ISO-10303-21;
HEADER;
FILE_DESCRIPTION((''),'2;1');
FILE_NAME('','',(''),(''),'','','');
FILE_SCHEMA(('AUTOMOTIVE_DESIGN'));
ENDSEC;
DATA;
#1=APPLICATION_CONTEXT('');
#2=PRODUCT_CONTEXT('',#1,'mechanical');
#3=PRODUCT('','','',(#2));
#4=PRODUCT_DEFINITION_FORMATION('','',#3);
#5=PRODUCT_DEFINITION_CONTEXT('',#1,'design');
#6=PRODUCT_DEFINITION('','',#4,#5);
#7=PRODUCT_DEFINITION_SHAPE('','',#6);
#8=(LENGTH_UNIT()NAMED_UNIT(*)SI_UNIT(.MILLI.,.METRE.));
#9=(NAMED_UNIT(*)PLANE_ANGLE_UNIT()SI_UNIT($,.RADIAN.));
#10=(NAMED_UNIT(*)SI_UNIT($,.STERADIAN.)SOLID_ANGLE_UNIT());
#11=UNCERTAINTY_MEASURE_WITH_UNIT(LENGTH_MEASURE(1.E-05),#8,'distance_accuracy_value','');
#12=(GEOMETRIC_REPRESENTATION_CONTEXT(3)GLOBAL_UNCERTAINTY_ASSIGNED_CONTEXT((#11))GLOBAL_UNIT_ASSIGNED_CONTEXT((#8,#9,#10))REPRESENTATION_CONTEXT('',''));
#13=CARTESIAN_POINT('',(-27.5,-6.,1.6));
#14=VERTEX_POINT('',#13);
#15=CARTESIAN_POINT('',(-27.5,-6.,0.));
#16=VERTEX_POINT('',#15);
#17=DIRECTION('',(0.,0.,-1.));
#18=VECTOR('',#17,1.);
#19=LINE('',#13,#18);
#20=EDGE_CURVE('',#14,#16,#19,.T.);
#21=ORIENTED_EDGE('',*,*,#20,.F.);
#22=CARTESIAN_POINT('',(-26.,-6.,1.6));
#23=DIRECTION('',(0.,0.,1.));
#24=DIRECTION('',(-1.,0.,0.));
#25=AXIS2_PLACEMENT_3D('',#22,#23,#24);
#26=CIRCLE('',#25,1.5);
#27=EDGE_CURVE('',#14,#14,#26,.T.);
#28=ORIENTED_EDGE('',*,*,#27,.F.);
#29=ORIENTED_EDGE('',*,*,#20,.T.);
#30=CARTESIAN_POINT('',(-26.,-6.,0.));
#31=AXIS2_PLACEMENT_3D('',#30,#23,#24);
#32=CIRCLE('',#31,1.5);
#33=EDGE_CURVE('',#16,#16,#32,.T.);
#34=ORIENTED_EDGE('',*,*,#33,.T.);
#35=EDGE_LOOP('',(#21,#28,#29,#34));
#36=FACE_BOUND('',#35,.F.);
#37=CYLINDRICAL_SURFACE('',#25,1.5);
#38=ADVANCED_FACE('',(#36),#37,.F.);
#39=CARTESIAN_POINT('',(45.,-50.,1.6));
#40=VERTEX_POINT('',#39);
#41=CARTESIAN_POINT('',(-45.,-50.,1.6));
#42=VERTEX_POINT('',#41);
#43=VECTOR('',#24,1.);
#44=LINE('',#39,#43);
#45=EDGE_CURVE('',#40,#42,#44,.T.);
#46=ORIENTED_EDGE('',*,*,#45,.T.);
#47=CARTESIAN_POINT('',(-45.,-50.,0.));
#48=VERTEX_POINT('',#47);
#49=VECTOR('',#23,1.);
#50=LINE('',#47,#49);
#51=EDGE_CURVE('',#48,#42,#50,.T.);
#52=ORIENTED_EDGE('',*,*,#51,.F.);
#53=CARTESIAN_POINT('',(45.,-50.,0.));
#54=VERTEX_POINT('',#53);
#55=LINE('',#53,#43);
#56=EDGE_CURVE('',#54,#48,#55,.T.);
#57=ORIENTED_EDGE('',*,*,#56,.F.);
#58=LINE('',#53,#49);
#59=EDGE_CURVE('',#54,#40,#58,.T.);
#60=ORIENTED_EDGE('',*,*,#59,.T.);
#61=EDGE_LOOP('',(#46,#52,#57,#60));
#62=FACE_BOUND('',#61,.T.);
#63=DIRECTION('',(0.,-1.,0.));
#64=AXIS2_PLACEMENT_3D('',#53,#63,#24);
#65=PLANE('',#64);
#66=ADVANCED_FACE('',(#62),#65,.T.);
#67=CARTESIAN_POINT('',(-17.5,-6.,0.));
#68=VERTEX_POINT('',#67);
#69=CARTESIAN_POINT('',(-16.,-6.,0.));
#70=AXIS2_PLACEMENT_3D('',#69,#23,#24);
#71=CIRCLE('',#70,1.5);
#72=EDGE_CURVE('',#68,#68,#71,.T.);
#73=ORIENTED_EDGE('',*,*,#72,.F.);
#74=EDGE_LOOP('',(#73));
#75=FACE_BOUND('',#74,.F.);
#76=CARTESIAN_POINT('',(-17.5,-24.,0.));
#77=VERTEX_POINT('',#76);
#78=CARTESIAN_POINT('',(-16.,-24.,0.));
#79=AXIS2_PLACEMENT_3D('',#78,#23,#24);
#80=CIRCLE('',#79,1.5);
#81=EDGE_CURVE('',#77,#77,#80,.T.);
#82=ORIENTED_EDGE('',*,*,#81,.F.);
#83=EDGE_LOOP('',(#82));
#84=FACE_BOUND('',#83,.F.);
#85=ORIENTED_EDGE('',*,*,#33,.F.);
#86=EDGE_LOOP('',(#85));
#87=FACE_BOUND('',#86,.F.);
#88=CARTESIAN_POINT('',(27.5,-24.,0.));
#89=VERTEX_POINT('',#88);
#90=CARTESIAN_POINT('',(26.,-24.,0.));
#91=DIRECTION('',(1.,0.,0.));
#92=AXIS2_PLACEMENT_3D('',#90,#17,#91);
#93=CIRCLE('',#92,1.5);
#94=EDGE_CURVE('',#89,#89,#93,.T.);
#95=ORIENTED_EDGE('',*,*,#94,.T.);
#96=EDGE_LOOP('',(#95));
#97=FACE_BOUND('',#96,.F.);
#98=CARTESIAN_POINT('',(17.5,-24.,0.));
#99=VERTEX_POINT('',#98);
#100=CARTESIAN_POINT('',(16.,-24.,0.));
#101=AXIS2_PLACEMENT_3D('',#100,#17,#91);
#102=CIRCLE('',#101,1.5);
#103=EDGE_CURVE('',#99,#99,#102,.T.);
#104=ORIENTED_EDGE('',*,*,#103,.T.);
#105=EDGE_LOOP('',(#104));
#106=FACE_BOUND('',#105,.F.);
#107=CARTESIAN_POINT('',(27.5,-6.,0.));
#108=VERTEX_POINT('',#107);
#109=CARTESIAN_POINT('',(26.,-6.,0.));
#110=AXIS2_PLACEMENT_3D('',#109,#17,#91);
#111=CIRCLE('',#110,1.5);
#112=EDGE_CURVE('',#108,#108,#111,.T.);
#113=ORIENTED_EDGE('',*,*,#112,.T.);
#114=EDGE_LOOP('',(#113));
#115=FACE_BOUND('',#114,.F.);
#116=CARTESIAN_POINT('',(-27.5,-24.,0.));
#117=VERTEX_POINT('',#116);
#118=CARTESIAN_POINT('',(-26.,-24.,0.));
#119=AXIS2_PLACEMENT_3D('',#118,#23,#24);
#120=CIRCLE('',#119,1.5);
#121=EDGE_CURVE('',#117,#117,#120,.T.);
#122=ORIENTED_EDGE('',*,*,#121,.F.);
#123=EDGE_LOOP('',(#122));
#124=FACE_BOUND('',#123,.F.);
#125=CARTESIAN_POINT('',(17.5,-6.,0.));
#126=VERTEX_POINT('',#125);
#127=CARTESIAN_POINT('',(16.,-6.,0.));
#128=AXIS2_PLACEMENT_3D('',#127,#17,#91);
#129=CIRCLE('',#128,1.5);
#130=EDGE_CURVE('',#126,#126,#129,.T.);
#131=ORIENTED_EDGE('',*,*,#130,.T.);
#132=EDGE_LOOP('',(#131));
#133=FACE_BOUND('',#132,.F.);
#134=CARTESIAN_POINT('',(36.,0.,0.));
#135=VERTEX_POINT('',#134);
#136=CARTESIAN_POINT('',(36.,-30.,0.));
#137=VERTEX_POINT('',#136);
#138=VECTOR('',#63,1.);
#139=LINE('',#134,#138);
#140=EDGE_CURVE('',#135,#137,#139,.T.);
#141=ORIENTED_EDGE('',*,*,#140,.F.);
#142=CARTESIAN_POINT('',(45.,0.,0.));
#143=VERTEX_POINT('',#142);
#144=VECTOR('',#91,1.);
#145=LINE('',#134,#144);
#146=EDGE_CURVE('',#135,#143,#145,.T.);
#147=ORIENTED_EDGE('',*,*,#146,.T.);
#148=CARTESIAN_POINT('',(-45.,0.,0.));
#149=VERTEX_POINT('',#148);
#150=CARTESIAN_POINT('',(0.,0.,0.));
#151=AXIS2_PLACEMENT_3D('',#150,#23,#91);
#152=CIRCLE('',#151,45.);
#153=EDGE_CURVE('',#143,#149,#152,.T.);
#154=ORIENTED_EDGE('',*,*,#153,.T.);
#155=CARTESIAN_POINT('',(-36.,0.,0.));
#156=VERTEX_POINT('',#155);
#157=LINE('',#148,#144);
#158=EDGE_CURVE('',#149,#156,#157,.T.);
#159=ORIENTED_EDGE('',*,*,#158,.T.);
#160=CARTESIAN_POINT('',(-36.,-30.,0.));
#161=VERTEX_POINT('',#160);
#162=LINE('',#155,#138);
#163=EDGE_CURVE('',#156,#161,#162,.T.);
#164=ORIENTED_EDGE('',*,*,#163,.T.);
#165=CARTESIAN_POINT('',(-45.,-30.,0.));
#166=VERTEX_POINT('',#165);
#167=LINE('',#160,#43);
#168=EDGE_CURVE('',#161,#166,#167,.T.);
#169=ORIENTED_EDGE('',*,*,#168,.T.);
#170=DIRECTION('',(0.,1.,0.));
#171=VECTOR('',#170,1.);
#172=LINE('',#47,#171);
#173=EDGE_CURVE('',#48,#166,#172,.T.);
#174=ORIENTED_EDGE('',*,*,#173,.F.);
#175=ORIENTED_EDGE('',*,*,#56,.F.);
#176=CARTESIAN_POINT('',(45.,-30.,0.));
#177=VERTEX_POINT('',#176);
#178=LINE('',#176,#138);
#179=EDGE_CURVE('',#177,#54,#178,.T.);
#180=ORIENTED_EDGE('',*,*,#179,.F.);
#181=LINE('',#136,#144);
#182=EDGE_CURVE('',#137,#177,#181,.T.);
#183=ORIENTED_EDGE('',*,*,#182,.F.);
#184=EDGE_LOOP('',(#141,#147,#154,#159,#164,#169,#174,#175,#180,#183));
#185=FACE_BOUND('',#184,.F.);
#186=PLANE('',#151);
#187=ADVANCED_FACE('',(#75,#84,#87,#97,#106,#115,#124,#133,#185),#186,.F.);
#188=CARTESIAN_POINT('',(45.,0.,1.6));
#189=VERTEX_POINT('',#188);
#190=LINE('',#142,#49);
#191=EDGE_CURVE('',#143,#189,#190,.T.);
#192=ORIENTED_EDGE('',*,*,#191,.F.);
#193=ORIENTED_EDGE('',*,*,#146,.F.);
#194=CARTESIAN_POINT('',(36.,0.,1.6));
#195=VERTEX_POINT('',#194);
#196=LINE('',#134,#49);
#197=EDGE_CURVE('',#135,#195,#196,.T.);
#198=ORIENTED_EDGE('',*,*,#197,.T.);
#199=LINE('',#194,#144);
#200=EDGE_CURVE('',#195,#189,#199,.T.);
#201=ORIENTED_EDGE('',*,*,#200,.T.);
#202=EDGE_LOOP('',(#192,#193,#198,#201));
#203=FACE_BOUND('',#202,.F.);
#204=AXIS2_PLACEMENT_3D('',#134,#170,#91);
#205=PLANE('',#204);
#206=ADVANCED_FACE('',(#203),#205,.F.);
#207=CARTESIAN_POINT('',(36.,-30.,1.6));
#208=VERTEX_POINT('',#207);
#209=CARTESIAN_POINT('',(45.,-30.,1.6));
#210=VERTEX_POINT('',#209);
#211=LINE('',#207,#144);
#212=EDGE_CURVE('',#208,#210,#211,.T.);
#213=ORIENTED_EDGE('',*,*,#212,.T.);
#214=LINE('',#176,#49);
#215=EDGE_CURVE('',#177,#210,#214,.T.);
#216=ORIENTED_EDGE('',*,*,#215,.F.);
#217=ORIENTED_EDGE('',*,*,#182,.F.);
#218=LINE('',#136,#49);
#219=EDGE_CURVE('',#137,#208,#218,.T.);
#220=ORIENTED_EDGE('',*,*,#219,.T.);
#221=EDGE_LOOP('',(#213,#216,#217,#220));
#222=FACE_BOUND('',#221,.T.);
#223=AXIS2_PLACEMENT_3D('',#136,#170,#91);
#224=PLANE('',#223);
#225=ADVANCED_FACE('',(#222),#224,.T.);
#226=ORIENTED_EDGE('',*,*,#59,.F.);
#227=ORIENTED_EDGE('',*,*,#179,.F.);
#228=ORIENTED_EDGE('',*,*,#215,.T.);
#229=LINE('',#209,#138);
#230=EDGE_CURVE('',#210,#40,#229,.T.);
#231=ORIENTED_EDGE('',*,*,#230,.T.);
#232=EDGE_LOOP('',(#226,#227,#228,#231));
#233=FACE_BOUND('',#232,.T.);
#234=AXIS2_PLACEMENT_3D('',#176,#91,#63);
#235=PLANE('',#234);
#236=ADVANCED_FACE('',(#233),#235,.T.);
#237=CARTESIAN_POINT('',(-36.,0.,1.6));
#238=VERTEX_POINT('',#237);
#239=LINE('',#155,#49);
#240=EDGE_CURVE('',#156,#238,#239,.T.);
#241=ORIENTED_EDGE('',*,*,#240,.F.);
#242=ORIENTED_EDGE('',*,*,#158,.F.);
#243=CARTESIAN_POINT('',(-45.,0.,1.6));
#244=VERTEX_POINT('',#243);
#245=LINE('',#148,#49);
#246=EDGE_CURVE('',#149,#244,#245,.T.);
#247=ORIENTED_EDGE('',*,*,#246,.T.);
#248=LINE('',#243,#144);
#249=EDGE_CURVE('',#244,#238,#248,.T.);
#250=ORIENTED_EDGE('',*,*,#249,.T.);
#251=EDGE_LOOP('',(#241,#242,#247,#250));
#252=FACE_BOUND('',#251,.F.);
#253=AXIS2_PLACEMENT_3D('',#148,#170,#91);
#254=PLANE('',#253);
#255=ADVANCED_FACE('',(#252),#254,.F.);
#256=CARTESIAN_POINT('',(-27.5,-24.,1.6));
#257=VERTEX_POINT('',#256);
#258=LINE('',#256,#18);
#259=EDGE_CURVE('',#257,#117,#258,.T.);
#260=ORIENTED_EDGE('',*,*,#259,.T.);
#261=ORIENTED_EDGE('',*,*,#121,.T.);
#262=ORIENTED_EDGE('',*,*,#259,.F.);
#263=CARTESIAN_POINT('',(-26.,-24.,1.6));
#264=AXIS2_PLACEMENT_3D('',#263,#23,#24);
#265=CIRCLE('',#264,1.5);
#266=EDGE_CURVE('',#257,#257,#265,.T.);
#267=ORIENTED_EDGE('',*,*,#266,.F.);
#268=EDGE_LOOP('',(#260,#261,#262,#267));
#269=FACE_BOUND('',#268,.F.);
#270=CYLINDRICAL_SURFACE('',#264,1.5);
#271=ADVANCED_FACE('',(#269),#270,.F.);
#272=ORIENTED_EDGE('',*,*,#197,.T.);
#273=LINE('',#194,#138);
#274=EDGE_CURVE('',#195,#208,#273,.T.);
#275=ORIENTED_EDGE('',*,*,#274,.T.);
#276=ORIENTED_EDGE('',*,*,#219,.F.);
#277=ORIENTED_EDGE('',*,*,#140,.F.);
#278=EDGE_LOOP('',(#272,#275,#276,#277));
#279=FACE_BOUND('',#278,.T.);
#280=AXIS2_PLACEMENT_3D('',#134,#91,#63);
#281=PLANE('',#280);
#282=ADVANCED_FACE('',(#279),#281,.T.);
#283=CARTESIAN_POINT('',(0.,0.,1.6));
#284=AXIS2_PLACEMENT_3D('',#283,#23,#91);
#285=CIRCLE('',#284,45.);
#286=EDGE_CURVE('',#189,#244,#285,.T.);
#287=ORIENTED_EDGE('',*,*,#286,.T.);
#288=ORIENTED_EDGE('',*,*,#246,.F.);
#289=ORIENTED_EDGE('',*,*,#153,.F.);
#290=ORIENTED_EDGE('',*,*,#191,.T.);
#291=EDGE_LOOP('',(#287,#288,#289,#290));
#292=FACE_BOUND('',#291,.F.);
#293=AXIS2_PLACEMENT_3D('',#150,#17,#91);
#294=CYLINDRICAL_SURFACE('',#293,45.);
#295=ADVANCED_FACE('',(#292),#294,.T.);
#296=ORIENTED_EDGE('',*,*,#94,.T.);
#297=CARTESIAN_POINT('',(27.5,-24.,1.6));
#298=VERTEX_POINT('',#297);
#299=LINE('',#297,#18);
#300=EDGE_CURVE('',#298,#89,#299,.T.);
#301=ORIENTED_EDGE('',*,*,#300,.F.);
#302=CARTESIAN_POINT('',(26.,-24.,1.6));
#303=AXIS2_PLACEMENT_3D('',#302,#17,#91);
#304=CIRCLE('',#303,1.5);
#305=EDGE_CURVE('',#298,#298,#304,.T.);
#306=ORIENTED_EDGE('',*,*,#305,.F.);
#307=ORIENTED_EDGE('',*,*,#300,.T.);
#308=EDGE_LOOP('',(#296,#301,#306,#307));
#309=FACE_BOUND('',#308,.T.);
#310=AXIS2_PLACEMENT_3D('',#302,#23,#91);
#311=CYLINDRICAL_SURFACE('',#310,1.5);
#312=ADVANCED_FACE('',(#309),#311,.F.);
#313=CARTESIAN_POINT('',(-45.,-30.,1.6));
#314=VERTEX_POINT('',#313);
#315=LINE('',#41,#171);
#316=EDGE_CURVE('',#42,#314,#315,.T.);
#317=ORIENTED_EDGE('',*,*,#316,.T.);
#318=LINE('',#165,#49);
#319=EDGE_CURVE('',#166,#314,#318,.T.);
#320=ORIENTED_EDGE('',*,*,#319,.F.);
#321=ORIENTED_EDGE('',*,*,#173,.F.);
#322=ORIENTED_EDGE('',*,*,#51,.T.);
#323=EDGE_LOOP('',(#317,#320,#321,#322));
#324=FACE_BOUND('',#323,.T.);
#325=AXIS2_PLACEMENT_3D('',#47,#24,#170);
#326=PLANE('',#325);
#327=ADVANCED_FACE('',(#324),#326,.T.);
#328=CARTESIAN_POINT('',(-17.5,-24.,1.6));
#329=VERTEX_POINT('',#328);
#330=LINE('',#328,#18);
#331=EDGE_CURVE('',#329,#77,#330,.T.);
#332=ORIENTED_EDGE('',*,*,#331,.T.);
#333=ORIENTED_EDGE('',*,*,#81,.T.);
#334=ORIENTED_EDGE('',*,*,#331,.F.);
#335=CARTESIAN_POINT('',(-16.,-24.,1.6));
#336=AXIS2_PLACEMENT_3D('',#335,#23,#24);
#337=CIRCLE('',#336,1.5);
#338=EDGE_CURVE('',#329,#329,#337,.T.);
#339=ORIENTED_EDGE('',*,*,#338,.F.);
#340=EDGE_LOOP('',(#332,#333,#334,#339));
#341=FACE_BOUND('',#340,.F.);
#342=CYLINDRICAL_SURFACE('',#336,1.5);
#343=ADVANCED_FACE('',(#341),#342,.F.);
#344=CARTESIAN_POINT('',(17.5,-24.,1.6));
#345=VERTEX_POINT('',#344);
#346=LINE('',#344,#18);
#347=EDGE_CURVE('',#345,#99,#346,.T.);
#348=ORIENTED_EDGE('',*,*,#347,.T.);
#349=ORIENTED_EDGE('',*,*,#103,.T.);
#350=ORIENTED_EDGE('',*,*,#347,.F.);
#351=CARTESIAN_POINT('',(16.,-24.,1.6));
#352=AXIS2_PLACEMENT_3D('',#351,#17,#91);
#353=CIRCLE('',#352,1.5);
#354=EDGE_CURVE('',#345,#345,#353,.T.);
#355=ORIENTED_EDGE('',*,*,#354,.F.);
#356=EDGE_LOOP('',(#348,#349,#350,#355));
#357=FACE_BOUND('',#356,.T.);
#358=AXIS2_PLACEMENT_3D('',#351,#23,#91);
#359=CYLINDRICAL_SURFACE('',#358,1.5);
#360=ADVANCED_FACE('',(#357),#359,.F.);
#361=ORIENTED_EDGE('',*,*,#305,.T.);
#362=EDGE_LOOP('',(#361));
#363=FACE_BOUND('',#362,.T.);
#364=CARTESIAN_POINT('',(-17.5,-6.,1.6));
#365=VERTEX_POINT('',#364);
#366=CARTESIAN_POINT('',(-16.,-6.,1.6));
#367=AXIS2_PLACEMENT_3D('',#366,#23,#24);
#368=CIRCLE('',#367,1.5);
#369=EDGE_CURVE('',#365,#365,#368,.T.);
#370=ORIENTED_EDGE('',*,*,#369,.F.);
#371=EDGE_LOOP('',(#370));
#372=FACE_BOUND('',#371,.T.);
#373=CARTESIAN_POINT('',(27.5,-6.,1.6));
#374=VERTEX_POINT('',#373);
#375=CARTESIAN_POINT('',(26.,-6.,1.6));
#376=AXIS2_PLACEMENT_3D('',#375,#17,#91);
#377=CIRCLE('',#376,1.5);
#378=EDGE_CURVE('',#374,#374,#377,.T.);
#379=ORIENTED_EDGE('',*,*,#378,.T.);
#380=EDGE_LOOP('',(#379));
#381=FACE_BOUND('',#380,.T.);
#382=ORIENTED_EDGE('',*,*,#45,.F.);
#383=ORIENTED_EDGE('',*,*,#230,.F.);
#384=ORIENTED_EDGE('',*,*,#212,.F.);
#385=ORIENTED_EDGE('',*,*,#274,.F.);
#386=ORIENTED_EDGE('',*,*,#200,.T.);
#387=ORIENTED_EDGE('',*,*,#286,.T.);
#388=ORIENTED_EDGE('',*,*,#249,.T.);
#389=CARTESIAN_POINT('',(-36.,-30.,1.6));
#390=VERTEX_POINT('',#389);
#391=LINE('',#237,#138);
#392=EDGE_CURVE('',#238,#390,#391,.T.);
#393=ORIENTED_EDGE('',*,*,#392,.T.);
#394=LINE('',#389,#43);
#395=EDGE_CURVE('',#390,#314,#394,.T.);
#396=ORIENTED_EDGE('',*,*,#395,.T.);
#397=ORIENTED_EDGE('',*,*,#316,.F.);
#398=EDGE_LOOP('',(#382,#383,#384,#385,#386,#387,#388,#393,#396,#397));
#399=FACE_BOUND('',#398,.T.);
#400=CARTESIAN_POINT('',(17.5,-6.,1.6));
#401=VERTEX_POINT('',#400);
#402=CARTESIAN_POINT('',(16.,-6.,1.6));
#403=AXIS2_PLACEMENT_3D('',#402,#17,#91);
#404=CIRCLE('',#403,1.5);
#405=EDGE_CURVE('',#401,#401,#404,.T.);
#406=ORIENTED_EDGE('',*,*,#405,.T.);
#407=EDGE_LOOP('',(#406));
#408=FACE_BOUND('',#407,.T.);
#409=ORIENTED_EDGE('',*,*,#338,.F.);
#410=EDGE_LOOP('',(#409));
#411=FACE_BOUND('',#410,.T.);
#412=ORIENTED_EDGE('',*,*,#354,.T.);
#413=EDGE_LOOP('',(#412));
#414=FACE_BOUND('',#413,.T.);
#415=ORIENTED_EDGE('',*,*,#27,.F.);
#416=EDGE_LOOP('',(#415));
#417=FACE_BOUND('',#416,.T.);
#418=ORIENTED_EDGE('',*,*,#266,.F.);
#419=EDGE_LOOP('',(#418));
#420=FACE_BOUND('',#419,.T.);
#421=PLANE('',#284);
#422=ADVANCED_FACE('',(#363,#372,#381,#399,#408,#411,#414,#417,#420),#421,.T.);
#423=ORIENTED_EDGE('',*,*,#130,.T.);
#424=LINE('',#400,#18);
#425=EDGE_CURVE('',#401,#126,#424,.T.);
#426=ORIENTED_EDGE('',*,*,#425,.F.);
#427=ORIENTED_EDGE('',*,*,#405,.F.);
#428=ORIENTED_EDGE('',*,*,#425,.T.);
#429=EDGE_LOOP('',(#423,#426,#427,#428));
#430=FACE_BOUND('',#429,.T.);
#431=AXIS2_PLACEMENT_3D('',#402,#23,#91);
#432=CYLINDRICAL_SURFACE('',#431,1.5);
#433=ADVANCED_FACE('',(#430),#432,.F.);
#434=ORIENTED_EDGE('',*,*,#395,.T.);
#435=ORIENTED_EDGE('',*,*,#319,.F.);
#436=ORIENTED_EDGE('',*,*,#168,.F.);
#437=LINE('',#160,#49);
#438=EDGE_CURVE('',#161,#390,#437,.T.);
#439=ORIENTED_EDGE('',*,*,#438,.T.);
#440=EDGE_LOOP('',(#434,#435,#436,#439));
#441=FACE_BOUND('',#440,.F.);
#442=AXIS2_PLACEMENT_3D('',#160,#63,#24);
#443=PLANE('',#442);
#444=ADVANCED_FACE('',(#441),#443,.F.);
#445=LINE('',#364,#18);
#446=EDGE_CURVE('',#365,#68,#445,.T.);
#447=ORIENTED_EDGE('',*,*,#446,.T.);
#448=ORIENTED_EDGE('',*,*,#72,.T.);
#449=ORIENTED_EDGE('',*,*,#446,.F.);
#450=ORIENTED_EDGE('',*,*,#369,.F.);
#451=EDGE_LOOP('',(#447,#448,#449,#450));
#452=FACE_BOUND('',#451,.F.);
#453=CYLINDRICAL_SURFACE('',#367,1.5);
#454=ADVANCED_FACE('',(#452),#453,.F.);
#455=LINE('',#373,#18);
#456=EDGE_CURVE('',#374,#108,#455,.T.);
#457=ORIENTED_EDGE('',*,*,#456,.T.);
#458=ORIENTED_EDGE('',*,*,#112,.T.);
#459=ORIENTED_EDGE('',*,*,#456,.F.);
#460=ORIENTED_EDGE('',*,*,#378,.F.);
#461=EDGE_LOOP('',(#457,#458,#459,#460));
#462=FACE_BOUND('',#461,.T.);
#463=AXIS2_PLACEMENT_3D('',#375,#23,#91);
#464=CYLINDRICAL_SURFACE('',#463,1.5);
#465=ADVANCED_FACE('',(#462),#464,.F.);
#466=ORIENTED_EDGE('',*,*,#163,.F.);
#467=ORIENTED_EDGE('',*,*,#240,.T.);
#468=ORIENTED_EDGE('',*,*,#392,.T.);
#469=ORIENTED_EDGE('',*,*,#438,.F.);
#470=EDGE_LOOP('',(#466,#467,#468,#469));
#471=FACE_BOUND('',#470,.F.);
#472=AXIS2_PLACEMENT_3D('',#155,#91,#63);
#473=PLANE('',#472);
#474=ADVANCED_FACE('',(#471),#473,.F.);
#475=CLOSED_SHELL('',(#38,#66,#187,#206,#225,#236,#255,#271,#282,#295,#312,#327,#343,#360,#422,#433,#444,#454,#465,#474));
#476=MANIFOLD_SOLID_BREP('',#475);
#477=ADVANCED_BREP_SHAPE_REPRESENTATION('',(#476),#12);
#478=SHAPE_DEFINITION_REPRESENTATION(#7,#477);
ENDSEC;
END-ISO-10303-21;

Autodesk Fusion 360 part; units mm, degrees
sketch "Skizze1" plane through (0, 0, 0) normal (0, 0, 1) x (1, 0, 0)
  line L0 (45, -30) -> (45, -50)
  line L1 (45, -50) -> (-45, -50)
  line L2 (-45, -50) -> (-45, -30)
  arc A0 (45, 0) -> (-45, 0) centre (0, 0) ccw
  line L3 (-45, 0) -> (-36, 0)
  line L4 (-36, 0) -> (-36, -30)
  line L5 (-36, -30) -> (-45, -30)
  line L6 (36, 0) -> (36, -30)
  line L7 (36, -30) -> (45, -30)
  line L8 (36, 0) -> (45, 0)
  dimension "d1" = 90
  dimension "d2" = 50
  dimension "d3" = 9
  dimension "d4" = 30
  dimension "d5" = 9
  dimension "d6" = 30
extrude "Extrusion1" add sketch "Skizze1" along normal blind 1.6
sketch "Skizze2" plane through (0, 0, 1.6) normal (0, 0, 1) x (-1, 0, 0)
  line L0 (-36, 30) -> (-36, 0)
  line L1 (-36, 0) -> (-45, 0)
  arc A0 (-45, 0) -> (45, 0) centre (0, 0) ccw
  line L2 (45, 0) -> (36, 0)
  line L3 (36, 0) -> (36, 30)
  line L4 (36, 30) -> (45, 30)
  line L5 (45, 30) -> (45, 50)
  line L6 (45, 50) -> (-45, 50)
  line L7 (-45, 50) -> (-45, 30)
  line L8 (-45, 30) -> (-36, 30)
  line L9 (36, 15) -> (36, 24)
  line L10 (36, 15) -> (36, 6)
  circle A1 centre (26, 24) radius 1.5
  circle A2 centre (16, 24) radius 1.5
  circle A3 centre (26, 6) radius 1.5
  circle A4 centre (16, 6) radius 1.5
  line L11 (36, 15) -> (36, 9)
  line L12 (36, 9) -> (11, 9)
  line L13 (11, 9) -> (11, 21)
  line L14 (11, 21) -> (36, 21)
  line L15 (36, 21) -> (36, 9)
  line L16 (36, 24) -> (36, 27)
  line L17 (36, 27) -> (4, 27)
  line L18 (4, 27) -> (4, 2)
  line L19 (4, 2) -> (36, 2)
  line L20 (36, 2) -> (36, 27)
  line L21 (4, 27) -> (-36, 27)
  line L22 (-36, 27) -> (-4, 27)
  line L23 (-4, 27) -> (-4, 2)
  line L24 (-4, 2) -> (-36, 2)
  line L25 (-36, 2) -> (-36, 27)
  line L26 (-11, 21) -> (-36, 21)
  line L27 (-36, 21) -> (-11, 21)
  line L28 (-11, 21) -> (-11, 9)
  line L29 (-11, 9) -> (-36, 9)
  line L30 (-36, 9) -> (-36, 21)
  circle A5 centre (-16, 6) radius 1.5
  circle A6 centre (-26, 6) radius 1.5
  circle A7 centre (-16, 24) radius 1.5
  circle A8 centre (-26, 24) radius 1.5
  dimension "d10" = 9
  dimension "d11" = 9
  dimension "d12" = 10
  dimension "d13" = 10
  dimension "d14" = 10
  dimension "d15" = 10
  dimension "d16" = 3
  dimension "d17" = 3
  dimension "d18" = 3
  dimension "d19" = 3
  dimension "d20" = 6
  dimension "d21" = 25
  dimension "d22" = 12
  dimension "d23" = 3
  dimension "d24" = 32
  dimension "d25" = 25
  dimension "d30" = 32
  dimension "d31" = 25
  dimension "d32" = 25
  dimension "d33" = 12
  dimension "d35" = 10
  dimension "d37" = 10
  dimension "d38" = 3
  dimension "d39" = 3
  dimension "d40" = 3
  dimension "d41" = 3
  dimension "d42" = 10
  dimension "d43" = 10
extrude "Extrusion2" cut sketch "Skizze2" against normal blind 1.6 contours A1 | A2 | A3 | A4
mirror "Spiegeln1" about plane through (0, 0, 0) normal (1, 0, 0) of "Extrusion2"
